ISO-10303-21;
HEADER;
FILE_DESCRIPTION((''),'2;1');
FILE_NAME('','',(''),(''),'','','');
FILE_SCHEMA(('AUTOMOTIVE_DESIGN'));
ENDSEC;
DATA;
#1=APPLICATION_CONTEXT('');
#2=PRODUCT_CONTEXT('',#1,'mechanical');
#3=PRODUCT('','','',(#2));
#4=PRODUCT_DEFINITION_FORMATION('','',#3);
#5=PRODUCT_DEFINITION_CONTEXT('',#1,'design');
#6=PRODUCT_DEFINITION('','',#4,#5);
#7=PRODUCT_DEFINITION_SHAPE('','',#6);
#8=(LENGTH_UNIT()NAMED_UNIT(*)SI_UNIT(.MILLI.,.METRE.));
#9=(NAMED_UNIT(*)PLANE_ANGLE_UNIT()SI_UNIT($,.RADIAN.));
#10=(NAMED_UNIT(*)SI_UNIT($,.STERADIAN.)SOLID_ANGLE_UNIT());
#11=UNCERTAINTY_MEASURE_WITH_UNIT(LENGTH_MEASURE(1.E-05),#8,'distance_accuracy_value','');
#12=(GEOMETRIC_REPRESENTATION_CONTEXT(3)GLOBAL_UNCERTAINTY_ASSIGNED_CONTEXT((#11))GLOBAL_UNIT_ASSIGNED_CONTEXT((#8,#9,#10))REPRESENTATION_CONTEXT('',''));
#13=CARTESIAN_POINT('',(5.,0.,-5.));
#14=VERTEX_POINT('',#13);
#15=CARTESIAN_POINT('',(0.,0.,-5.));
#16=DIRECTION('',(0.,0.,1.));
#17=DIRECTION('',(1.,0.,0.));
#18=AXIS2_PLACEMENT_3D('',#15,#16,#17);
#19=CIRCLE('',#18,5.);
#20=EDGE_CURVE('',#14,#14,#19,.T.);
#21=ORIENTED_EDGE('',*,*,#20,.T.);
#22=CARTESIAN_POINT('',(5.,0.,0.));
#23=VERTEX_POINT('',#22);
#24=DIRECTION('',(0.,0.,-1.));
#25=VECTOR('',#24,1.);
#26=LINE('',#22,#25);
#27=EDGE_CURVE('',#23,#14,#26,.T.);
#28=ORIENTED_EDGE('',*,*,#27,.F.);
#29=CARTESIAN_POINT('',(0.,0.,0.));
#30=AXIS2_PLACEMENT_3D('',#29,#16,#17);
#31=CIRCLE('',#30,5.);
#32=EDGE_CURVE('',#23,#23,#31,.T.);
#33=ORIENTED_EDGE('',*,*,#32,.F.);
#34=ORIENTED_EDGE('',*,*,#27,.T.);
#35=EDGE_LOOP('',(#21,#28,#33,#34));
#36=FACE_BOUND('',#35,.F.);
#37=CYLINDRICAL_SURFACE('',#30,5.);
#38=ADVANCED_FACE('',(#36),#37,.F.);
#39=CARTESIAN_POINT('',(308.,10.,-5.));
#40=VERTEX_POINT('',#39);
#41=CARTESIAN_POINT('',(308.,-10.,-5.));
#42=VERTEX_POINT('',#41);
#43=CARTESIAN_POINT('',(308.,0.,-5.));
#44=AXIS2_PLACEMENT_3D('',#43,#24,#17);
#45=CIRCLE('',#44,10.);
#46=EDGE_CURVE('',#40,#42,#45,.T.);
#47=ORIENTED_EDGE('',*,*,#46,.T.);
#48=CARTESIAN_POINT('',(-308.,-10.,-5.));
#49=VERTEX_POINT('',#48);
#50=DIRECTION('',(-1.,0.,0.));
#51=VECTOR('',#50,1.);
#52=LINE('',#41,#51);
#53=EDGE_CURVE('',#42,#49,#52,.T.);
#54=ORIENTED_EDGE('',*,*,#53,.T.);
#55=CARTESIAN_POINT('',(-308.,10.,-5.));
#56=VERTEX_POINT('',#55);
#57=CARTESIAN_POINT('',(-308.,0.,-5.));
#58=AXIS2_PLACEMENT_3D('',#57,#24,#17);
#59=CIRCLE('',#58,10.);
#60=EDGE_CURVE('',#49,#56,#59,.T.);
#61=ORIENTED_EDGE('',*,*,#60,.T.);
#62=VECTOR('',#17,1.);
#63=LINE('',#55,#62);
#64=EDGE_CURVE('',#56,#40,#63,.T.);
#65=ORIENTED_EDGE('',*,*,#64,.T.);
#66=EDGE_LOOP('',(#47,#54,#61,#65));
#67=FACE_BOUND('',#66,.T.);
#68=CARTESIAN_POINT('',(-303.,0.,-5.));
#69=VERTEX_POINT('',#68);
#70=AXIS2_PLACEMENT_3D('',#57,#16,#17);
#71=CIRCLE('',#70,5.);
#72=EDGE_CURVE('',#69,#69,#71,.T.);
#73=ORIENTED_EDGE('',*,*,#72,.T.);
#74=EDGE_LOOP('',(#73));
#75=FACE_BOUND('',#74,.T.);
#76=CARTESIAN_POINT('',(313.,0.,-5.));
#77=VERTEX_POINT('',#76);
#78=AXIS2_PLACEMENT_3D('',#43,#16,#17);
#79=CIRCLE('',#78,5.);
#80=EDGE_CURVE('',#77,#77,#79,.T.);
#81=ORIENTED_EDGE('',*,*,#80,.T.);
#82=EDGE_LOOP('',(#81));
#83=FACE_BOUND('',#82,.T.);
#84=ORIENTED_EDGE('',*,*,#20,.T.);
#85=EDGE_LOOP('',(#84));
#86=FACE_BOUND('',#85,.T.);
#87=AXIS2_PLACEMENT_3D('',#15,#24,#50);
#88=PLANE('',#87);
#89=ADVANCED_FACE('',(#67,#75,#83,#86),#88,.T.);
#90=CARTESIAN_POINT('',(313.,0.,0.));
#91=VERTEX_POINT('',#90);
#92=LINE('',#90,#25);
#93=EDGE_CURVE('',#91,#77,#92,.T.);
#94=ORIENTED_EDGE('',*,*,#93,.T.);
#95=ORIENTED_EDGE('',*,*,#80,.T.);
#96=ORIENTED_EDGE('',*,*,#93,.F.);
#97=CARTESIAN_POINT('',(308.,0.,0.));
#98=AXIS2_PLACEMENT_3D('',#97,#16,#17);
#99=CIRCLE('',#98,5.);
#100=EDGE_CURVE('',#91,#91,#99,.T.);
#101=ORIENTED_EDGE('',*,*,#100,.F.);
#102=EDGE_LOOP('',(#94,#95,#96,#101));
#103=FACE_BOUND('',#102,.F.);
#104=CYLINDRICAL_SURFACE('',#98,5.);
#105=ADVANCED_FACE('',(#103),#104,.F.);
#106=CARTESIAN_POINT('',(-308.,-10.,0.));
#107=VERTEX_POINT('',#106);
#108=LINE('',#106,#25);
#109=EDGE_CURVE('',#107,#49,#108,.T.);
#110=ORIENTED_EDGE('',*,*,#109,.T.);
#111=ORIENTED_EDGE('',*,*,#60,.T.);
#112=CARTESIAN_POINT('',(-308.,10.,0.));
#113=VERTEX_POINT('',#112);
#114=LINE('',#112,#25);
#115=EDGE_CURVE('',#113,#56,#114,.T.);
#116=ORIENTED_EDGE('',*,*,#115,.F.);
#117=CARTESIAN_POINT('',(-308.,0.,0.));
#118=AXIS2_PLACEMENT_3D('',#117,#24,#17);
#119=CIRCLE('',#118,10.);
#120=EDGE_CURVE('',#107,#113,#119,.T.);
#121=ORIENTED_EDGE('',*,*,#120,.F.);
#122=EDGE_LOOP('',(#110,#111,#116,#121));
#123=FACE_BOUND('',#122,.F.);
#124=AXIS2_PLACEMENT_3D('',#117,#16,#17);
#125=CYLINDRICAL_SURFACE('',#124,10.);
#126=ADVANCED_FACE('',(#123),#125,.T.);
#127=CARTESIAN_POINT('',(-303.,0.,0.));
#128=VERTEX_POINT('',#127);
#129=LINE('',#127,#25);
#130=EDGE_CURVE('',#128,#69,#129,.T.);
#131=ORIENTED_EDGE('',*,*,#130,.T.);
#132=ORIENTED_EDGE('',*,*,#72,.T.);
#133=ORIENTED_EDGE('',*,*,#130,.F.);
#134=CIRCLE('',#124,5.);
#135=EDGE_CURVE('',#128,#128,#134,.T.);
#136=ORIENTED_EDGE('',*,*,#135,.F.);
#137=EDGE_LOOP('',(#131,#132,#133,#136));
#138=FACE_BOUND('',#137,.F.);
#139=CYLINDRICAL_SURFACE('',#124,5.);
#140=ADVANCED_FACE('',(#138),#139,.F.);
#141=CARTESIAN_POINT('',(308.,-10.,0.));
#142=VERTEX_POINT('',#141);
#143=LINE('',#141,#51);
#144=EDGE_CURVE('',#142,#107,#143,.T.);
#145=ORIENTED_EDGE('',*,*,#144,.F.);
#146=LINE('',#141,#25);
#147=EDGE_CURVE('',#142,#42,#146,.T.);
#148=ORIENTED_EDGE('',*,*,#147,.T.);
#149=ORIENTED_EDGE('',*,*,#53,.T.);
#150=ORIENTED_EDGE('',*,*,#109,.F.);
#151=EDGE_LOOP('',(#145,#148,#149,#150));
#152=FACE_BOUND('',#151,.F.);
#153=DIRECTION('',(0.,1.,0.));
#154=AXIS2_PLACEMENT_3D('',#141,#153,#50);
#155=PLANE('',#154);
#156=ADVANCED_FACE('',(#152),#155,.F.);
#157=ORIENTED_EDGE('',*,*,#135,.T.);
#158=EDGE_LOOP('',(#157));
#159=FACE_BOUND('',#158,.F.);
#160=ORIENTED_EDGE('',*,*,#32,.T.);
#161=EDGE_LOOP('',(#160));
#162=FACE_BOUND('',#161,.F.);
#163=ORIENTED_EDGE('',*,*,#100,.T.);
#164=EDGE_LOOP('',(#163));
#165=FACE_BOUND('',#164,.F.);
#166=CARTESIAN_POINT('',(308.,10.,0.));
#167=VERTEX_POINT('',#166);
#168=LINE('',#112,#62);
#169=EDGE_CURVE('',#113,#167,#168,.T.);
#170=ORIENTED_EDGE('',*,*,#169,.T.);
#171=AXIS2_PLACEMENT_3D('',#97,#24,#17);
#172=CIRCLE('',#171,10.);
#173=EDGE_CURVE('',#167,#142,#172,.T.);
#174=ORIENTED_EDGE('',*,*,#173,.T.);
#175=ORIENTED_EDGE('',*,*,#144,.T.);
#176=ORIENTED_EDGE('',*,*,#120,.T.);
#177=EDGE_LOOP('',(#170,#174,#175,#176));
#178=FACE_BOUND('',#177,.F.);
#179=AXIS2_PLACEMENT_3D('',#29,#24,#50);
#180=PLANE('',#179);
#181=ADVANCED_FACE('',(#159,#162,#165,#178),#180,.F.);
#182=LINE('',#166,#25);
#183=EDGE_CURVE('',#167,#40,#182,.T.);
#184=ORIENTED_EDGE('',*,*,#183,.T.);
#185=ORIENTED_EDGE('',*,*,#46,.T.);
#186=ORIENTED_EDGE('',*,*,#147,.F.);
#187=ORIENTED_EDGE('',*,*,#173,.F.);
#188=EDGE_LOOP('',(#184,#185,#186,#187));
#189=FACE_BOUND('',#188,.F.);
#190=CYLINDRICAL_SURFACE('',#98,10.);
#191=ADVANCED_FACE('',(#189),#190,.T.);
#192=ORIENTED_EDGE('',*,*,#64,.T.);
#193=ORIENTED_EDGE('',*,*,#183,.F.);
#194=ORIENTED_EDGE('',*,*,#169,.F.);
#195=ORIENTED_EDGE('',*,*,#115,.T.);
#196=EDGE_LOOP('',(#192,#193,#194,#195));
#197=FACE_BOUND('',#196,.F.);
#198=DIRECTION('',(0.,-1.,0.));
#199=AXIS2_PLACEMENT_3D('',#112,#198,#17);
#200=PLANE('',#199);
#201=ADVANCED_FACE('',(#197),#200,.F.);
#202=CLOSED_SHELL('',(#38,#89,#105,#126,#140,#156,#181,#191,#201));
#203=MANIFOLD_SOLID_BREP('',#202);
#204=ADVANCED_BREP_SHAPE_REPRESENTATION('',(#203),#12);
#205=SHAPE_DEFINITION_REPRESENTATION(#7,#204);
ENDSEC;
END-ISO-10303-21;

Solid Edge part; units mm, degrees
sketch "Sketch1" plane through (0, 0, 0) normal (0, 0, 1) x (1, 0, 0)
  line L0 (-308, 10) -> (308, 10)
  line L1 (308, -10) -> (-308, -10)
  arc A0 (-308, -10) -> (-308, 10) centre (-308, 0) cw
  arc A1 (308, 10) -> (308, -10) centre (308, 0) cw
  circle A2 centre (-308, 0) radius 5
  circle A3 centre (308, 0) radius 5
  circle A4 centre (0, 0) radius 5
  dimension "D1" = 616
  dimension "D2" = 20
extrude "Protrusion1" add sketch "Sketch1" against normal blind 5
